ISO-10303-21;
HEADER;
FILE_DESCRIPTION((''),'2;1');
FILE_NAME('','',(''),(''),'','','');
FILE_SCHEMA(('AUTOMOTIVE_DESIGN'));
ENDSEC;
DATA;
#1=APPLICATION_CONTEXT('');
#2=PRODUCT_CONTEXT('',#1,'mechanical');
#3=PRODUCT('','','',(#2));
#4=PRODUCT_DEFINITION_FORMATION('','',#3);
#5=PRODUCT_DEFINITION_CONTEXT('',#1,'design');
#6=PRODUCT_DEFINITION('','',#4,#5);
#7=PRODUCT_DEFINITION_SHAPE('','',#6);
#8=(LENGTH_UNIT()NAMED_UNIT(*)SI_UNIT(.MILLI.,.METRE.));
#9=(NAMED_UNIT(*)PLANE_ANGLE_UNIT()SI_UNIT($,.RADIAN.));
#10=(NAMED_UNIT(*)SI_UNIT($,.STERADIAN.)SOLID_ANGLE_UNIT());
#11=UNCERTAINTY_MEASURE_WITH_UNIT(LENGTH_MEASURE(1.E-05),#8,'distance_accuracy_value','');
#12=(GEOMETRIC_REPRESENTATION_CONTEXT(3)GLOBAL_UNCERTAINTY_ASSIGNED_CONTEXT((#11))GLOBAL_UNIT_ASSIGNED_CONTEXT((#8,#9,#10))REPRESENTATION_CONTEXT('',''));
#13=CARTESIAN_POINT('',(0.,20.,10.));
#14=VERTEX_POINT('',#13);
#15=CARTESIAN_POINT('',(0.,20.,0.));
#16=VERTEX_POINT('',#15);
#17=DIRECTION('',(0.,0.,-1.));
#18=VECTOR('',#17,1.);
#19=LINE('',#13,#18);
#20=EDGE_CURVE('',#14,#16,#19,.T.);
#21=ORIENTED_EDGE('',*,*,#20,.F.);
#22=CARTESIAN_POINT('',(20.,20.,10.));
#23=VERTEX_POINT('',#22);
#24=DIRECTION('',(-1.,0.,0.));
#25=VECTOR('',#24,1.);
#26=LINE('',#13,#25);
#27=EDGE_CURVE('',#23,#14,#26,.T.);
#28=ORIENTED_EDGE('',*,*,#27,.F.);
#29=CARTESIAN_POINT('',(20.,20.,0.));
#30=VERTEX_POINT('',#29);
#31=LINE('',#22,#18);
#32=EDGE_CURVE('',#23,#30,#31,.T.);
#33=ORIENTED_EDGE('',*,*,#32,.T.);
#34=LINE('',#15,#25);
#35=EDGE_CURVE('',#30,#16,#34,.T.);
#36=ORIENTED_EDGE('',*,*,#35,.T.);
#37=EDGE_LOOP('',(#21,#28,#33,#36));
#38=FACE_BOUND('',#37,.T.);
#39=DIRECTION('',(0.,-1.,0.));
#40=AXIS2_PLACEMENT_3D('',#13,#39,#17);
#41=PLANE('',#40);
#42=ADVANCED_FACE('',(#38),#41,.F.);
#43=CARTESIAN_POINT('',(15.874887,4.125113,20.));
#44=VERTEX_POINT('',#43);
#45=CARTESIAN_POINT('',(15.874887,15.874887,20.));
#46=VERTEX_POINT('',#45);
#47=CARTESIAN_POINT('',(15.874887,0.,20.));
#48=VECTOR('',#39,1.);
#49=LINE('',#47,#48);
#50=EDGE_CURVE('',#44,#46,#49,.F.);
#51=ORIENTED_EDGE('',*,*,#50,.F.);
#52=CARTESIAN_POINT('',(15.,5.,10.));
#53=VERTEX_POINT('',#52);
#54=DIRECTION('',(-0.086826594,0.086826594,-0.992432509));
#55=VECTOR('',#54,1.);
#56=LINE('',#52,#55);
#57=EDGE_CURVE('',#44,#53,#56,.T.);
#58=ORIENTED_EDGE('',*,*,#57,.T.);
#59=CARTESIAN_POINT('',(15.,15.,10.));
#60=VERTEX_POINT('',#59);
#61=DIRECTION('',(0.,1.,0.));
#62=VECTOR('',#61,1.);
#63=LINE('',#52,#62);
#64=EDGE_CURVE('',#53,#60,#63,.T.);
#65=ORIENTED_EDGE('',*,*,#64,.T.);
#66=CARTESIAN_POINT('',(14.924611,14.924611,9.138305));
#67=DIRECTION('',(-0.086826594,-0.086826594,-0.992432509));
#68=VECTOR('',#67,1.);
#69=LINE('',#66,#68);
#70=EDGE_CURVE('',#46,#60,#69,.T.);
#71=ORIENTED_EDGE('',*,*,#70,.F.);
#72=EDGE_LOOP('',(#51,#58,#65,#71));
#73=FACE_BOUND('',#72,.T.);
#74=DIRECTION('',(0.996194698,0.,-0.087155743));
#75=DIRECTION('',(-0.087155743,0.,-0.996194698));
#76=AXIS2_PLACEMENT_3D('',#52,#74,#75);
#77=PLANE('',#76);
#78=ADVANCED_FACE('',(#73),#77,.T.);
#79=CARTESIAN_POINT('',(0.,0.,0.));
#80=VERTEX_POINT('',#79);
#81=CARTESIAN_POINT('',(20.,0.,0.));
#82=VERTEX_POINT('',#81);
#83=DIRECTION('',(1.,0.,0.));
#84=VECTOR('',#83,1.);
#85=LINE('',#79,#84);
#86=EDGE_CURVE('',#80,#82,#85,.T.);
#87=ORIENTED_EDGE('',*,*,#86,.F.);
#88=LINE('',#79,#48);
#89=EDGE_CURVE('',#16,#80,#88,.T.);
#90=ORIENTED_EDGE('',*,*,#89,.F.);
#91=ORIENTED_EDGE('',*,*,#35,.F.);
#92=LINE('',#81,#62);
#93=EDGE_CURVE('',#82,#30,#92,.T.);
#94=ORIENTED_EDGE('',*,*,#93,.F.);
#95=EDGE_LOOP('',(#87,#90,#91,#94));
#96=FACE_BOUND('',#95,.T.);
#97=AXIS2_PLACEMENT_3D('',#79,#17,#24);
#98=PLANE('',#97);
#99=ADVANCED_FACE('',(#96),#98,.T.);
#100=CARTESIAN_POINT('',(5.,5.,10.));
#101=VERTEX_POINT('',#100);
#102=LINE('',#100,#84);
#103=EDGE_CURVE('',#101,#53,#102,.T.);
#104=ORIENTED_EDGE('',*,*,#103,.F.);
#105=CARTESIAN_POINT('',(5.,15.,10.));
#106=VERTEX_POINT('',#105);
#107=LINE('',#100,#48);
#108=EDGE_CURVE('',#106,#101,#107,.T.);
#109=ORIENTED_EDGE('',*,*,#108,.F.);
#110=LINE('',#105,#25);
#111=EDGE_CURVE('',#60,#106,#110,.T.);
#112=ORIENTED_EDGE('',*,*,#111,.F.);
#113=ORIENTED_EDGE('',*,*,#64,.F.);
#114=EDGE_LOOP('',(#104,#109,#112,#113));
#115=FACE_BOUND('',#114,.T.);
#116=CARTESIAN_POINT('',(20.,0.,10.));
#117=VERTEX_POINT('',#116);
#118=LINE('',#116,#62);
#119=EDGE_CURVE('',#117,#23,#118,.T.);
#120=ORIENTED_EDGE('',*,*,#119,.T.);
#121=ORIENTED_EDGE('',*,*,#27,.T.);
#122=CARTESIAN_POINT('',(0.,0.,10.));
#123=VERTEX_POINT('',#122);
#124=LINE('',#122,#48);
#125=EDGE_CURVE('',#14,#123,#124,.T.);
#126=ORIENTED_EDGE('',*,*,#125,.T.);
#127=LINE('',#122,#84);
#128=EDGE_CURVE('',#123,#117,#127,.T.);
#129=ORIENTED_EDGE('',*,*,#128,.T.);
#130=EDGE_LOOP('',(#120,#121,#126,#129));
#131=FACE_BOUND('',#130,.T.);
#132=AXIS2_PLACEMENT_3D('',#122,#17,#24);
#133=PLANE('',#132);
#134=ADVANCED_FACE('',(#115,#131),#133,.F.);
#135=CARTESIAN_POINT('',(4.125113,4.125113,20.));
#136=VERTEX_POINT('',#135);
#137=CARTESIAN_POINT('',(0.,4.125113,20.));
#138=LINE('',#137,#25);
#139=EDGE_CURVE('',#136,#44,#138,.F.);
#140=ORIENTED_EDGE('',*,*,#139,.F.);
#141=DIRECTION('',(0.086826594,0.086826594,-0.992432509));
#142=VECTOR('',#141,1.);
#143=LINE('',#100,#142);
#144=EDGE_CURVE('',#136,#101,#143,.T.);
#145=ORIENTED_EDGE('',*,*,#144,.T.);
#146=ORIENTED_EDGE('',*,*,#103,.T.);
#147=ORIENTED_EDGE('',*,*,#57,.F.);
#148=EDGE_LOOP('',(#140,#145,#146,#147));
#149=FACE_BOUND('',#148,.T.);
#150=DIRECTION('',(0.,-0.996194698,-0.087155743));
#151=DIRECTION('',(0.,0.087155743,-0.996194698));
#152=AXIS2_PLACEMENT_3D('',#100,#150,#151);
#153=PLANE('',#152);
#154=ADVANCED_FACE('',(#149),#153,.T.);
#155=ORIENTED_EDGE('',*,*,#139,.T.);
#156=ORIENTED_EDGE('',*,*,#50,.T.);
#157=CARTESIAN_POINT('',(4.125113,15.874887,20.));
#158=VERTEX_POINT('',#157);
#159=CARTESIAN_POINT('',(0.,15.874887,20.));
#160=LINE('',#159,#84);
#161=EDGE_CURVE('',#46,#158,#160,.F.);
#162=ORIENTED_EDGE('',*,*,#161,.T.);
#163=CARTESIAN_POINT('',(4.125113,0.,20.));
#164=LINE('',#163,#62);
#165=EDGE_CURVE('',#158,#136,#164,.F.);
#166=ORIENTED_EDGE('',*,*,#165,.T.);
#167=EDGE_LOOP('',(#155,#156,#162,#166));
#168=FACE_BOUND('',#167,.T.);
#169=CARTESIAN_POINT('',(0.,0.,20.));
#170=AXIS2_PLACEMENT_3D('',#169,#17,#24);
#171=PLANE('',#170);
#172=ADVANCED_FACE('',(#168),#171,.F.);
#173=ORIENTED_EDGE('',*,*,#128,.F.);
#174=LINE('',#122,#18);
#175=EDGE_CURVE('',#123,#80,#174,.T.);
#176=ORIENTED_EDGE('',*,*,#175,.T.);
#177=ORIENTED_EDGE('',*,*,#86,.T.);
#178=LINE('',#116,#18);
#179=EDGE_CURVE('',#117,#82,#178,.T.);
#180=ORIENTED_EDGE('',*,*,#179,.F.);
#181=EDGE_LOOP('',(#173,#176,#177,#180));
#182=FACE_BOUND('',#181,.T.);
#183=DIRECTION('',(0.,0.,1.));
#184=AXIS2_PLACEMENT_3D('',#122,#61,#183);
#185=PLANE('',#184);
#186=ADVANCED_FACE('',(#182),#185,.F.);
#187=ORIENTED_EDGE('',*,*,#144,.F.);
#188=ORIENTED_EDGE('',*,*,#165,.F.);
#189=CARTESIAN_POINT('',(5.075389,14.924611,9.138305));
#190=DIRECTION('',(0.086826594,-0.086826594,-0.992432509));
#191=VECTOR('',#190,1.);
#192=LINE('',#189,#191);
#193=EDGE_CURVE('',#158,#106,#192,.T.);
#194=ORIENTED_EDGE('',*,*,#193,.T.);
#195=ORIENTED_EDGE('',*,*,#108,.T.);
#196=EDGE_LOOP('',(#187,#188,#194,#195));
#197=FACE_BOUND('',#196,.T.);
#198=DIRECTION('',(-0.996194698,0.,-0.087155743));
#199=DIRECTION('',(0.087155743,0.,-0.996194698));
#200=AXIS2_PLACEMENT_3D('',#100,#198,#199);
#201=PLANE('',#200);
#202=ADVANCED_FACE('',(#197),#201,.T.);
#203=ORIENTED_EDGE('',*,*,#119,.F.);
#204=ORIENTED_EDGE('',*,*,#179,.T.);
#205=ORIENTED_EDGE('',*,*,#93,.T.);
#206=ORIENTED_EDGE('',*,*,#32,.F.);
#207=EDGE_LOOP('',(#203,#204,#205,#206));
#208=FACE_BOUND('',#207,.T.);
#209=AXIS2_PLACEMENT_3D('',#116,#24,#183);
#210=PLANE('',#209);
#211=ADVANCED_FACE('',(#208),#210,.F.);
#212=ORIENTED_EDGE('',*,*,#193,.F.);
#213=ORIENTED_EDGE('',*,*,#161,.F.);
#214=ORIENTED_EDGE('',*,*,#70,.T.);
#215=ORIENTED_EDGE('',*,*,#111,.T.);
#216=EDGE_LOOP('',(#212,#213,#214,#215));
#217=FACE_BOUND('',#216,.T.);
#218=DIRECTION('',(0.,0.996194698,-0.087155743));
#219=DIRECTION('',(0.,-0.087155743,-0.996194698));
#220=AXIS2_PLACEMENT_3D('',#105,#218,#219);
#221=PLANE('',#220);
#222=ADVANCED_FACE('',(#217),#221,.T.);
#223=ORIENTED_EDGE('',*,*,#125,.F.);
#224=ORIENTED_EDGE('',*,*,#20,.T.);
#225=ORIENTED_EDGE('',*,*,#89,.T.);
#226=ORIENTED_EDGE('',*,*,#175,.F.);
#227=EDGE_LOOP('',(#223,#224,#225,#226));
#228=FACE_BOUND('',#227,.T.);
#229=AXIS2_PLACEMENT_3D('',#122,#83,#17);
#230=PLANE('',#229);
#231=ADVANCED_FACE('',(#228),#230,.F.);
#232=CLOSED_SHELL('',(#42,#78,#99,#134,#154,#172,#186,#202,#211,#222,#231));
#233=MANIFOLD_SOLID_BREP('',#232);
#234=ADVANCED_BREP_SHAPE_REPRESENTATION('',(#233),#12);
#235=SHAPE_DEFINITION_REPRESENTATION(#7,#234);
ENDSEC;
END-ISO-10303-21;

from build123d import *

# Parameters (mm, degrees)
SKETCH_1_W         = 20
SKETCH_1_H         = 20
BASEBOX_DEPTH      = 10
SKETCH_2_W         = 10
SKETCH_2_H         = 10
DRAFTOUTWARD_DEPTH = 10
DRAFTOUTWARD_DRAFT = -5


with BuildPart() as part:
    # 草图1 → BaseBox (new body)
    with BuildSketch(Plane.XY):
        with Locations((10, 10)):
            Rectangle(SKETCH_1_W, SKETCH_1_H)
    extrude(amount=BASEBOX_DEPTH)


with BuildPart() as draftoutward_tool:
    # 草图2 → DraftOutward (with draft: the straight prism first)
    with BuildSketch(Plane.XY.offset(10)):
        with Locations((10, 10)):
            Rectangle(SKETCH_2_W, SKETCH_2_H)
    extrude(amount=DRAFTOUTWARD_DEPTH)
    # DraftOutward: the draft: its side faces are tilted about the plane it starts from
    draftoutward_sides = [draftoutward_tool.faces().sort_by_distance(p)[0] for p in [
        (10, 5, 15),
        (15, 10, 15),
        (10, 15, 15),
        (5, 10, 15),
    ]]
    draft(draftoutward_sides, Plane.XY.offset(10), DRAFTOUTWARD_DRAFT)


with BuildPart() as part_1:
    add(part.part)

    # DraftOutward: add draftoutward_tool
    add(draftoutward_tool.part)


solid = part_1.part
